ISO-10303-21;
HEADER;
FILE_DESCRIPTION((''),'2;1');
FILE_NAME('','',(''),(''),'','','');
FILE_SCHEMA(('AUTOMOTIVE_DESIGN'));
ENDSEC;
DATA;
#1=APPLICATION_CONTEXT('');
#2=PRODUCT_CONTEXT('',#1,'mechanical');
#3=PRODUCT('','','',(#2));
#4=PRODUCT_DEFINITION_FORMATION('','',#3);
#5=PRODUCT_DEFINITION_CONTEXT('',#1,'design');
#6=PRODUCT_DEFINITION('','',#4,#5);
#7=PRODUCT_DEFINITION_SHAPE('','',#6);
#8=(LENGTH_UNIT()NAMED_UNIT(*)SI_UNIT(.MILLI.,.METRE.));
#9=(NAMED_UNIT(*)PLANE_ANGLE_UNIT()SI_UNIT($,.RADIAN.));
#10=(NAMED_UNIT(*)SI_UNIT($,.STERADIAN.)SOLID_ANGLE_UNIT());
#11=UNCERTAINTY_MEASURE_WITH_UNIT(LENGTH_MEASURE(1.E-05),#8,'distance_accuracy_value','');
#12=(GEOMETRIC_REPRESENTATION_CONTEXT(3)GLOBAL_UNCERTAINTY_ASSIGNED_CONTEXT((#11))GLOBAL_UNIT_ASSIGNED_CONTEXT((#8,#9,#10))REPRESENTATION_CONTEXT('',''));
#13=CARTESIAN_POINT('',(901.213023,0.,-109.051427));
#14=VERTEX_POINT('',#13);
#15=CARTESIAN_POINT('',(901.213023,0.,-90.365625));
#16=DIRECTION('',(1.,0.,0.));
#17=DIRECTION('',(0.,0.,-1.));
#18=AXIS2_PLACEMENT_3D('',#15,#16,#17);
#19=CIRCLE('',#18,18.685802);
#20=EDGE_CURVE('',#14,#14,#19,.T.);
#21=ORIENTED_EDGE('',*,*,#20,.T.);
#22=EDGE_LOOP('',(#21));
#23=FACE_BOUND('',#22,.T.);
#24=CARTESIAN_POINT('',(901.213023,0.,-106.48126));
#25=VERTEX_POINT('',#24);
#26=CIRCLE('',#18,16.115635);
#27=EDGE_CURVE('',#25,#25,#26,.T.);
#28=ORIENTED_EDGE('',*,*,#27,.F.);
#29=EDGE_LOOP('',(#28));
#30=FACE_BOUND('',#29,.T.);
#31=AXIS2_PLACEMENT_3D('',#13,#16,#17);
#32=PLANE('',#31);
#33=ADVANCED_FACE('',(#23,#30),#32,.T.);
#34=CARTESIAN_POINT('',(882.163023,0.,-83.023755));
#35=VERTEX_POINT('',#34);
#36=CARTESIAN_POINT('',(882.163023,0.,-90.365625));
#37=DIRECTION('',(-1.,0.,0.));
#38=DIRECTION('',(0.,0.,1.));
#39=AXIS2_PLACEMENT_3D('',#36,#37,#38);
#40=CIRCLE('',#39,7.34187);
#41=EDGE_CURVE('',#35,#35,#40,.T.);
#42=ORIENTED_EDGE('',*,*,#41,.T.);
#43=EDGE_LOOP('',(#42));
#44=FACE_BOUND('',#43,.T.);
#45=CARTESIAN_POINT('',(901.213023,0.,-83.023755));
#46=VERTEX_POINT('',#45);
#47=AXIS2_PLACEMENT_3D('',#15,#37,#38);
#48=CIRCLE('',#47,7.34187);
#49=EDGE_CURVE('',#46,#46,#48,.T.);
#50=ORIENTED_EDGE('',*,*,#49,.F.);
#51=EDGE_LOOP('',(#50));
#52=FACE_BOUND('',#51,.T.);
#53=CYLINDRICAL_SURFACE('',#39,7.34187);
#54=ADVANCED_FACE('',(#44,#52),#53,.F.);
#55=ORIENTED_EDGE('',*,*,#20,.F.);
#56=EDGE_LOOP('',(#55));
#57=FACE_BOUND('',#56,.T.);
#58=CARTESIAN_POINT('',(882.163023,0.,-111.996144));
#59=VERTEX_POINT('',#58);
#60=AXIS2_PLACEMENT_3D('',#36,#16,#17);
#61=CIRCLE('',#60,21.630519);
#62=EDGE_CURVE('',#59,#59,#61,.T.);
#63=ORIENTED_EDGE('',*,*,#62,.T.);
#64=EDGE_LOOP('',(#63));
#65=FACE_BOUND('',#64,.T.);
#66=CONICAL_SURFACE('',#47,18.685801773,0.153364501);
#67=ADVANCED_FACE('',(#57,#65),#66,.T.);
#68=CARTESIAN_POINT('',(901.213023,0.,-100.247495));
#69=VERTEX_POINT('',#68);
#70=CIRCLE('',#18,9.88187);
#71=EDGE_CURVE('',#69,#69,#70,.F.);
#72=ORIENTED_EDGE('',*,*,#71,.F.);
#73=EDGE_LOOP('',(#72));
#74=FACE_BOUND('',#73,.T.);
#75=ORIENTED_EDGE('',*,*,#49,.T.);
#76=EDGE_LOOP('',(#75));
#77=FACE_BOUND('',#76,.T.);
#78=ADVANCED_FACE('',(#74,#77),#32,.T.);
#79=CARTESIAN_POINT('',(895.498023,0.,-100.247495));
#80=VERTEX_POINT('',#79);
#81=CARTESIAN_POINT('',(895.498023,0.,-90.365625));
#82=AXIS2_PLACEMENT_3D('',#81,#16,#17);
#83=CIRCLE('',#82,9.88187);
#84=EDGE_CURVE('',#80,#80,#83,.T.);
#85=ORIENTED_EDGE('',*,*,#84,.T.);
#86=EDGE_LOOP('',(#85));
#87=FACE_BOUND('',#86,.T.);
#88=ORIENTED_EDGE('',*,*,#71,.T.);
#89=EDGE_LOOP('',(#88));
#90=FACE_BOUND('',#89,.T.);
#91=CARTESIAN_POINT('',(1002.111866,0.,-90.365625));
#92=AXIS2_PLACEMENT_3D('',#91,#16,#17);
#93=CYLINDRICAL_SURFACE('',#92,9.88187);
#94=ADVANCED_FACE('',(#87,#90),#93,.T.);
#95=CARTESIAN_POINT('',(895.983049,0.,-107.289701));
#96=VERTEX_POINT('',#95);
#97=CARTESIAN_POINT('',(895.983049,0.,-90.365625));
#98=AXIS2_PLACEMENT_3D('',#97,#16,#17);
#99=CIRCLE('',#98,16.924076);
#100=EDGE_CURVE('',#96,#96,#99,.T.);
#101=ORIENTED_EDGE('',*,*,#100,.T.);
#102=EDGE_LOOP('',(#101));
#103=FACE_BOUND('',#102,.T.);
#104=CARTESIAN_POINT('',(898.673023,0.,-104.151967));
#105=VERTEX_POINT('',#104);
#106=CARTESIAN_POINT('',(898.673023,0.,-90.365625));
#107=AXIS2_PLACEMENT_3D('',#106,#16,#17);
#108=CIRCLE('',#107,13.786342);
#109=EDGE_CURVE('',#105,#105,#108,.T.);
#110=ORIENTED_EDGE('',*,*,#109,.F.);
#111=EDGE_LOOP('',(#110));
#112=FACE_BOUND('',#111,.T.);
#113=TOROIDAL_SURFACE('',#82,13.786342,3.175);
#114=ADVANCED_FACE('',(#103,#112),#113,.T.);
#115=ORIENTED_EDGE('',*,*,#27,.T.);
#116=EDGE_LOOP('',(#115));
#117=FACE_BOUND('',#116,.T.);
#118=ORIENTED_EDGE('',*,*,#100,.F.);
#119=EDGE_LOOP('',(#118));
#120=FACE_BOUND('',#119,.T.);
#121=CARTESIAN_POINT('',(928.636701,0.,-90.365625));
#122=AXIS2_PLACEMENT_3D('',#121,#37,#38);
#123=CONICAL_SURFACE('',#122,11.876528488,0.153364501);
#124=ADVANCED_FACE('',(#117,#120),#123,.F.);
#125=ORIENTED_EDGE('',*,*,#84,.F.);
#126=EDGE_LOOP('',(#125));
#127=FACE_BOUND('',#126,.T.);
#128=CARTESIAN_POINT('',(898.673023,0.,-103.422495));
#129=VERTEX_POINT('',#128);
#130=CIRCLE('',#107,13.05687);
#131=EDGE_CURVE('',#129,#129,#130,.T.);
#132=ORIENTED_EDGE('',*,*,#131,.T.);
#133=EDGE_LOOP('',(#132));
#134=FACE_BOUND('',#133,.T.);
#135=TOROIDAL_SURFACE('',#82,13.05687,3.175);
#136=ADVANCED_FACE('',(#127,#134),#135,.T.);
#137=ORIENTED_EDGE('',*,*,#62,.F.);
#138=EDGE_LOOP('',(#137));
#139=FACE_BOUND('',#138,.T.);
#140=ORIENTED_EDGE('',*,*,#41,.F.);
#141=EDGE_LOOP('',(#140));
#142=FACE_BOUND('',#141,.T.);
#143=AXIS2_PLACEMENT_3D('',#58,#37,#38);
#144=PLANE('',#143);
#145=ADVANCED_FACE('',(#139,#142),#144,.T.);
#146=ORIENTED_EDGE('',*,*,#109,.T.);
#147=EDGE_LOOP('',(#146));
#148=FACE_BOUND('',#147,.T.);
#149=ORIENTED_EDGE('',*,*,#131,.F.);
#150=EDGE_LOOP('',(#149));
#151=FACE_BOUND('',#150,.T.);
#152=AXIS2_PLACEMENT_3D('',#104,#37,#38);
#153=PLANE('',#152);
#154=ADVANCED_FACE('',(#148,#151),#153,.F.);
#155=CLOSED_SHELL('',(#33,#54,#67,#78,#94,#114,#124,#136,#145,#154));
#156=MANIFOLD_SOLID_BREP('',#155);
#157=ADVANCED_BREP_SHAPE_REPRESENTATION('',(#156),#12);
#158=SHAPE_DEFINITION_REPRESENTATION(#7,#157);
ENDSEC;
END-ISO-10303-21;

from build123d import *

# Parameters (mm, degrees)
TAPPED_HOLE_FOR_9_16_12_HELICOIL1_D = 14.68374


with BuildPart() as part:
    # Sketch1 → Revolve2 (revolve)
    with BuildSketch(Plane(origin=(0, 0, 0), x_dir=(1, 0, 0), z_dir=(0, 1, 0))):
        Polygon((882.163023054, 111.99614411), (882.163023054, 90.365625069), (901.213023054, 90.365625069), (901.213023054, 109.051426841), align=None)
    revolve(axis=Axis((1002.111866296, 0, -90.365625069), (-1, 0, 0)))

    # Tapped Hole for 9/16-12 Helicoil1 (through all)
    with Locations(Plane.ZY.offset(-882.163023054)):
        with Locations((-90.365625069, 0)):
            Hole(TAPPED_HOLE_FOR_9_16_12_HELICOIL1_D / 2)

    # Sketch5 → Cut-Revolve1 (revolve, cut)
    with BuildSketch(Plane(origin=(0, 0, 0), x_dir=(1, 0, 0), z_dir=(0, 1, 0))):
        with BuildLine():
            Line((928.636701013, 102.242153557), (928.636701013, 100.247495069))
            Line((928.636701013, 100.247495069), (895.498023054, 100.247495069))
            ThreePointArc((895.498023054, 100.247495069), (897.743087084, 101.177431039), (898.673023054, 103.422495069))
            Line((898.673023054, 103.422495069), (898.673023054, 104.151966666))
            ThreePointArc((898.673023054, 104.151966666), (897.908477535, 106.21844536), (895.983048759, 107.289700731))
            Line((895.983048759, 107.289700731), (928.636701013, 102.242153557))
        make_face()
    revolve(axis=Axis((1002.111866296, 0, -90.365625069), (-1, 0, 0)), mode=Mode.SUBTRACT)


solid = part.part
